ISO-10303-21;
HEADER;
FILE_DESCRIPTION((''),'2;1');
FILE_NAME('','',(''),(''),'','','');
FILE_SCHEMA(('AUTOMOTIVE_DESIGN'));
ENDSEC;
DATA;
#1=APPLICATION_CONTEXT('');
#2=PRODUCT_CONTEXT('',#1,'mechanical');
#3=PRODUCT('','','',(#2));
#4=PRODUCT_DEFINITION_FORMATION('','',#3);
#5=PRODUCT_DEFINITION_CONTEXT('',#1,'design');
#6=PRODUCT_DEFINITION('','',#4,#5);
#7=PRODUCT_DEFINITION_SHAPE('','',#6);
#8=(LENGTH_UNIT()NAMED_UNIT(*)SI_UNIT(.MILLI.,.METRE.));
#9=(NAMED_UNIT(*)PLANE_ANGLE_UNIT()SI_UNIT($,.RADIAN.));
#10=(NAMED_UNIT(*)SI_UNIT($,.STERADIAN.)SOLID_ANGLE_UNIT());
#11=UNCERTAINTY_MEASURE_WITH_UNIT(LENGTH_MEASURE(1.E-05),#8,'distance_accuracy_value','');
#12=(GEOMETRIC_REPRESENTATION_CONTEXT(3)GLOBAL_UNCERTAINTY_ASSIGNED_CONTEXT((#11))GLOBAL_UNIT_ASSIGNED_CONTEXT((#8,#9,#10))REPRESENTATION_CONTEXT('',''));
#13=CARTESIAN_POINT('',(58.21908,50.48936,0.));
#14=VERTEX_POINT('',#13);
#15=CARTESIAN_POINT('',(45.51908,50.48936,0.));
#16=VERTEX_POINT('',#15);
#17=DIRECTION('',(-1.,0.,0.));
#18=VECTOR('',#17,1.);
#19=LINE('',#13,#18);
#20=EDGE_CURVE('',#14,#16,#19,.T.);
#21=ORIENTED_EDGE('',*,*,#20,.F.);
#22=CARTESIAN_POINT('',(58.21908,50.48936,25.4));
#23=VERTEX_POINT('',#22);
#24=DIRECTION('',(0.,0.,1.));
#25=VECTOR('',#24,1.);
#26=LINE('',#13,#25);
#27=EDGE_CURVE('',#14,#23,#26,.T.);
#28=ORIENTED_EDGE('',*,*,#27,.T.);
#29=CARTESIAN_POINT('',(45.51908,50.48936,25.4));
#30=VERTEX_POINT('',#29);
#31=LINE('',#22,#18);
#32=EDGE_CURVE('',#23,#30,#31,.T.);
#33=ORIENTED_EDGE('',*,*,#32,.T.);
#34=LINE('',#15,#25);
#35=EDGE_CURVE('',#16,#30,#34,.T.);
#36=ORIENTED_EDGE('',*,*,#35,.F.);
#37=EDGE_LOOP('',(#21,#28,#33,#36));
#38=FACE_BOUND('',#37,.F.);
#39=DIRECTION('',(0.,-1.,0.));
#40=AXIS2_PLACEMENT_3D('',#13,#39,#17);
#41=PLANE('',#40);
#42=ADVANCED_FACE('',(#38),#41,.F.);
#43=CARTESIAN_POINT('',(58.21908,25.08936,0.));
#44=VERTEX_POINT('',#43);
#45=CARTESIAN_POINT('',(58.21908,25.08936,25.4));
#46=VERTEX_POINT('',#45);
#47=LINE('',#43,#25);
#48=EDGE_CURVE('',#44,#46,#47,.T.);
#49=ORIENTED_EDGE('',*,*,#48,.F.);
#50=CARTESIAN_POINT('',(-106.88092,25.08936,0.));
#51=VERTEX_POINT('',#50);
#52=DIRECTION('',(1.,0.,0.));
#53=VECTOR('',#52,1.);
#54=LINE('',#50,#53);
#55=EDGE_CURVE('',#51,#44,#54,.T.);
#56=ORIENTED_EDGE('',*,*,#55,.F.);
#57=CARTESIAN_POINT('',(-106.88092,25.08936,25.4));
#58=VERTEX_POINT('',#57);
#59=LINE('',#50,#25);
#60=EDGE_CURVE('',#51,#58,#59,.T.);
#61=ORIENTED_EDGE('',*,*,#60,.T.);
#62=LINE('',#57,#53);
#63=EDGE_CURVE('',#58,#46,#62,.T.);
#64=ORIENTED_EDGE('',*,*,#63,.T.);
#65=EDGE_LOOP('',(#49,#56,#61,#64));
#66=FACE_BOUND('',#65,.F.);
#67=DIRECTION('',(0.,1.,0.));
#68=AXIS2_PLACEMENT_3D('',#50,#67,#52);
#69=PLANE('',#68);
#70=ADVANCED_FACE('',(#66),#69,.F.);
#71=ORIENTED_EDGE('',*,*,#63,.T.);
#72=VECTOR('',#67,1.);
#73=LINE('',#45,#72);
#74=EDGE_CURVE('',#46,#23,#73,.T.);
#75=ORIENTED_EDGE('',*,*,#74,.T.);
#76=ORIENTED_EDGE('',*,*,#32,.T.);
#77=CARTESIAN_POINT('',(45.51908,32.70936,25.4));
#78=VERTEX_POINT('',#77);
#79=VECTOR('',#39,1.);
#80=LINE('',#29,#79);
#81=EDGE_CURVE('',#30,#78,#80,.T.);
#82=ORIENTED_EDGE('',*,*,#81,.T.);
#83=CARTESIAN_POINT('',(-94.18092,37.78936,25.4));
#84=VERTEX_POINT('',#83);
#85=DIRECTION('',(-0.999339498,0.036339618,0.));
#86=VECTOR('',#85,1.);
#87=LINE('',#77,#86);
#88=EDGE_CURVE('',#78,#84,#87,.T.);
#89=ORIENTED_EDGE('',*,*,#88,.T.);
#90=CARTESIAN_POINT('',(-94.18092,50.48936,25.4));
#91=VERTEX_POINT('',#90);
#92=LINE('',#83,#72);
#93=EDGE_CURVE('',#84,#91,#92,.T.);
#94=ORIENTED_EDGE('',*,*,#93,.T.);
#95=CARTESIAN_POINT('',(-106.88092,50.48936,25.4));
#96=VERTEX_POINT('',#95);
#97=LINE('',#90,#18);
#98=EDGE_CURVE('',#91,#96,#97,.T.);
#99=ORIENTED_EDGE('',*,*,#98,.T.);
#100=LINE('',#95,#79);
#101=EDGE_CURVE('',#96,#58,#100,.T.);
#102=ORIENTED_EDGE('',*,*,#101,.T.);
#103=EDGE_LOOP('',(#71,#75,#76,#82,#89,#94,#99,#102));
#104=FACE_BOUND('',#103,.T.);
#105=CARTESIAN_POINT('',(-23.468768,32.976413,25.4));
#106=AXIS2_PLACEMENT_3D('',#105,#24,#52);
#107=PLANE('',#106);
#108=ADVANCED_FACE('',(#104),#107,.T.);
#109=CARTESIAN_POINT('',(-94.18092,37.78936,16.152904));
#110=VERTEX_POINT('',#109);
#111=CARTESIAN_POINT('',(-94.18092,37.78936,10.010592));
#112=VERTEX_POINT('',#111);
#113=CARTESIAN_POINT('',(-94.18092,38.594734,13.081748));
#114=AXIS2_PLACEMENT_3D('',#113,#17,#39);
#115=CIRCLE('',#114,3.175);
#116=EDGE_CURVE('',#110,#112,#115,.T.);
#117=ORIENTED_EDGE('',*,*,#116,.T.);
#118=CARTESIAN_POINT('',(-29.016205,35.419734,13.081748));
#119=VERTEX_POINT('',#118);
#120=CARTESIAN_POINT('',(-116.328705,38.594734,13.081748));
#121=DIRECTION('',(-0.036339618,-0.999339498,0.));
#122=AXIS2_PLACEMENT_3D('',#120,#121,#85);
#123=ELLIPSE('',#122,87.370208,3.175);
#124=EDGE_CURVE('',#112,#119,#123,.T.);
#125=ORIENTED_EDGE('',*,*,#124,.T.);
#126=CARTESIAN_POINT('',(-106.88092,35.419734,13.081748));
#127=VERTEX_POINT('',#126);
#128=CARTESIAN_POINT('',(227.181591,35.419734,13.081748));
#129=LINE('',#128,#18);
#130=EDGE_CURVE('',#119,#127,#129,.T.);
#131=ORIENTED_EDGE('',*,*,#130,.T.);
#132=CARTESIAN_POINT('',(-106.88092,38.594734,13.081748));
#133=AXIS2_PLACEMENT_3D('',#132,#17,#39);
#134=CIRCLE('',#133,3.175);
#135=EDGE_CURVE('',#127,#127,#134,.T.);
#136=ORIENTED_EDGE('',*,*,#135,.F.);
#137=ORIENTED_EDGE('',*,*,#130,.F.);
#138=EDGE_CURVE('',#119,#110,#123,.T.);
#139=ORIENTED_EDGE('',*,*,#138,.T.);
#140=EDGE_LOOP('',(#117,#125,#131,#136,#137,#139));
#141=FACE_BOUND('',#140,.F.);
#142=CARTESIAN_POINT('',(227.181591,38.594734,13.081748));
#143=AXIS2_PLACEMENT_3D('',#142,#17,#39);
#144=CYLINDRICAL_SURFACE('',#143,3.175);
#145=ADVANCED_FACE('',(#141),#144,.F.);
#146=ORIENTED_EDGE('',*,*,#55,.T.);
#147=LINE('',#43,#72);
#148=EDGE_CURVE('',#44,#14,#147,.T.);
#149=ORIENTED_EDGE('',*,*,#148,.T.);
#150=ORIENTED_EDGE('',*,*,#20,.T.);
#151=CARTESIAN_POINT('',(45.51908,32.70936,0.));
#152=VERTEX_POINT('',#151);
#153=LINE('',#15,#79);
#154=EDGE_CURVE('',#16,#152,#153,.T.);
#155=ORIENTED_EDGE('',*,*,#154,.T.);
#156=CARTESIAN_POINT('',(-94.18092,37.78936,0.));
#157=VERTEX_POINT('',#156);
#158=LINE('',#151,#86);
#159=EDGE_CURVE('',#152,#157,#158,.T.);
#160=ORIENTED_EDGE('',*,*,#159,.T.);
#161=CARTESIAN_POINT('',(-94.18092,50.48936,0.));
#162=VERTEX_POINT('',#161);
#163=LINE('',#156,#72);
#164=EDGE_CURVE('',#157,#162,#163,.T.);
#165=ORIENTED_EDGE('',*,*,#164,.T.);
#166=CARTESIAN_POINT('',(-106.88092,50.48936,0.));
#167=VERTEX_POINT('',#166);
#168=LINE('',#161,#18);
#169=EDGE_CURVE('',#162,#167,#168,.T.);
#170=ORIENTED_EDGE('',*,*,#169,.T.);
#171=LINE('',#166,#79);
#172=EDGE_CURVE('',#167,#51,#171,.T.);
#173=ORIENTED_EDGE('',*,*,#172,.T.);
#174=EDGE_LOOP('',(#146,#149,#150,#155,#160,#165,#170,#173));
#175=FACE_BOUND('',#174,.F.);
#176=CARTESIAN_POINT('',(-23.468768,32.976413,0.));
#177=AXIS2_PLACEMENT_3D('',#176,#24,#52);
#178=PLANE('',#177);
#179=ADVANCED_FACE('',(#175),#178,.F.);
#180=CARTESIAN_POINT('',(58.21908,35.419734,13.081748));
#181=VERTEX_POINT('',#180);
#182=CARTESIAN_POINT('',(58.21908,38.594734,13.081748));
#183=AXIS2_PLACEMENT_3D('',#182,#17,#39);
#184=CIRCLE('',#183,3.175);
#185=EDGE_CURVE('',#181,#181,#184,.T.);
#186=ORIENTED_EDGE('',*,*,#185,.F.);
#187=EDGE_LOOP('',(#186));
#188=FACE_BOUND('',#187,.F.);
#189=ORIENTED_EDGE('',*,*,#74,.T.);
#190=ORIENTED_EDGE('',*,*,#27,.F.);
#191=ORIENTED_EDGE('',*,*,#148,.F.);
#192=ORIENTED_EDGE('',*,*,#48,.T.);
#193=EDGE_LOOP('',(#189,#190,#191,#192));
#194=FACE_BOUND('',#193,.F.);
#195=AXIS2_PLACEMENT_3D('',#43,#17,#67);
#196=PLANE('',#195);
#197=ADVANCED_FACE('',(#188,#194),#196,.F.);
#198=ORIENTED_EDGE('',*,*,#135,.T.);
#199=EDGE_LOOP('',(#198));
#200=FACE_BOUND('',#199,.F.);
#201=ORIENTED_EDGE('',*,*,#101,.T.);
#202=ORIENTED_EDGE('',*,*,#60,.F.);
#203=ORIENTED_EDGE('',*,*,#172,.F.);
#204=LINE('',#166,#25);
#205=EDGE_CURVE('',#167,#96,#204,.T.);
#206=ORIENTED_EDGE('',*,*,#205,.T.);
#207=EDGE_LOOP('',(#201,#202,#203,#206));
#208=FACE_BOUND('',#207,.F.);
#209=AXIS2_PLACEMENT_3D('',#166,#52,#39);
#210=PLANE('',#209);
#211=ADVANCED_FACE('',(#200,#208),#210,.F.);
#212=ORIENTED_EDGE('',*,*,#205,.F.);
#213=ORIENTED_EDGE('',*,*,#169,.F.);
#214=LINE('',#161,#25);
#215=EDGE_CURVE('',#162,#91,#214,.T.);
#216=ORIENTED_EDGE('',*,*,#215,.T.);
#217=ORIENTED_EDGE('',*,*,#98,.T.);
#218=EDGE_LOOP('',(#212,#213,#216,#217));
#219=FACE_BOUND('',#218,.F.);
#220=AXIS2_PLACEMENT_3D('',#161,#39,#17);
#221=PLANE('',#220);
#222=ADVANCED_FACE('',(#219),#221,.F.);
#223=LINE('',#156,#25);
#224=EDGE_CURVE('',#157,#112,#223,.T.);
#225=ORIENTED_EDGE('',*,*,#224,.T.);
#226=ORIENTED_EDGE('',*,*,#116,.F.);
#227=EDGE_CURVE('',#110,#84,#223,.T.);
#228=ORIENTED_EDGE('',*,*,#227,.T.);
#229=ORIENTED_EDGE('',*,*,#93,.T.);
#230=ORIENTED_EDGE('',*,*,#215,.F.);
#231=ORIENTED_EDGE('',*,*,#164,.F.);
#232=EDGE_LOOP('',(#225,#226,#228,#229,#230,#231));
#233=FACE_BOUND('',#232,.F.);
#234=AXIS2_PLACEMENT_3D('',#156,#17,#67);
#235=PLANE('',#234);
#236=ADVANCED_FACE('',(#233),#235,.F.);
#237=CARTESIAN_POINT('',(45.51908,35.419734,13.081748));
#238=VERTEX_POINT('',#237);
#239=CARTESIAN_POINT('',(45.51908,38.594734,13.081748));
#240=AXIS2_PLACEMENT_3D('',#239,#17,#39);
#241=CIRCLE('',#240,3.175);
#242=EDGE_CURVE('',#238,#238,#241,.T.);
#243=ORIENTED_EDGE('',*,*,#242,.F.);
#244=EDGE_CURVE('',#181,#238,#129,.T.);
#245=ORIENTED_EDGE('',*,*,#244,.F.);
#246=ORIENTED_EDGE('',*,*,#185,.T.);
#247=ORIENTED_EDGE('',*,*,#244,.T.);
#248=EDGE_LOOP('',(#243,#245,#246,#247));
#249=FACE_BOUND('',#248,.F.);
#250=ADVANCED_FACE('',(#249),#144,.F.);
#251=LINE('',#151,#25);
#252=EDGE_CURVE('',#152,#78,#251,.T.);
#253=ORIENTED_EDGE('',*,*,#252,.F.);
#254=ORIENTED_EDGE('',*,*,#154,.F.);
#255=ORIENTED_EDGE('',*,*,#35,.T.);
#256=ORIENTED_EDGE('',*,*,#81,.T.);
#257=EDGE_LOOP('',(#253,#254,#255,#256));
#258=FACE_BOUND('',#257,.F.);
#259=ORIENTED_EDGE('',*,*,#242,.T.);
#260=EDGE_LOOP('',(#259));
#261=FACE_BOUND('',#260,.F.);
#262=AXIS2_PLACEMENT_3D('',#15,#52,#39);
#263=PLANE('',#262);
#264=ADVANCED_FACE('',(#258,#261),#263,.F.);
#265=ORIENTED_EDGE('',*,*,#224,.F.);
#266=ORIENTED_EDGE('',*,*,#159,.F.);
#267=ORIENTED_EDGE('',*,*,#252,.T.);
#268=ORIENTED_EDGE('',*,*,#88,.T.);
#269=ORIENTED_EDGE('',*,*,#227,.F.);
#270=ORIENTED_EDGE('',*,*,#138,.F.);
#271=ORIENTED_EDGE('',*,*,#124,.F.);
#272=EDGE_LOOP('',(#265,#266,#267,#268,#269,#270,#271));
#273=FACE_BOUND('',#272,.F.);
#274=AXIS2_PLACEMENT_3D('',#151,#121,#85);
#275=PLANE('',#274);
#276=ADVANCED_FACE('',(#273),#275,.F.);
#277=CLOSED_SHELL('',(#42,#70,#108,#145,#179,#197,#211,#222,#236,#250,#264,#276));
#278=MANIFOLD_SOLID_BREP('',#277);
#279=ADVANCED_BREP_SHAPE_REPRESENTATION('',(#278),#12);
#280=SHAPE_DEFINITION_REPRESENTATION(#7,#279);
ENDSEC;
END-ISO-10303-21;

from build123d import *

# Parameters (mm, degrees)
F1_DEPTH = 25.4
F3_D     = 6.35


with BuildPart() as f1:
    # F0 (on Top) → F1 (new body)
    with BuildSketch(Plane.XY):
        Polygon((-94.18092, 50.48936), (-106.88092, 50.48936), (-106.88092, 25.08936), (58.21908, 25.08936), (58.21908, 50.48936), (45.51908, 50.48936), (45.51908, 32.70936), (-94.18092, 37.78936), align=None)
    extrude(amount=F1_DEPTH)

    # F3 (through all)
    with Locations(Plane.YZ.offset(58.21908)):
        with Locations((38.594734, 13.081748)):
            Hole(F3_D / 2)


solid = f1.part
